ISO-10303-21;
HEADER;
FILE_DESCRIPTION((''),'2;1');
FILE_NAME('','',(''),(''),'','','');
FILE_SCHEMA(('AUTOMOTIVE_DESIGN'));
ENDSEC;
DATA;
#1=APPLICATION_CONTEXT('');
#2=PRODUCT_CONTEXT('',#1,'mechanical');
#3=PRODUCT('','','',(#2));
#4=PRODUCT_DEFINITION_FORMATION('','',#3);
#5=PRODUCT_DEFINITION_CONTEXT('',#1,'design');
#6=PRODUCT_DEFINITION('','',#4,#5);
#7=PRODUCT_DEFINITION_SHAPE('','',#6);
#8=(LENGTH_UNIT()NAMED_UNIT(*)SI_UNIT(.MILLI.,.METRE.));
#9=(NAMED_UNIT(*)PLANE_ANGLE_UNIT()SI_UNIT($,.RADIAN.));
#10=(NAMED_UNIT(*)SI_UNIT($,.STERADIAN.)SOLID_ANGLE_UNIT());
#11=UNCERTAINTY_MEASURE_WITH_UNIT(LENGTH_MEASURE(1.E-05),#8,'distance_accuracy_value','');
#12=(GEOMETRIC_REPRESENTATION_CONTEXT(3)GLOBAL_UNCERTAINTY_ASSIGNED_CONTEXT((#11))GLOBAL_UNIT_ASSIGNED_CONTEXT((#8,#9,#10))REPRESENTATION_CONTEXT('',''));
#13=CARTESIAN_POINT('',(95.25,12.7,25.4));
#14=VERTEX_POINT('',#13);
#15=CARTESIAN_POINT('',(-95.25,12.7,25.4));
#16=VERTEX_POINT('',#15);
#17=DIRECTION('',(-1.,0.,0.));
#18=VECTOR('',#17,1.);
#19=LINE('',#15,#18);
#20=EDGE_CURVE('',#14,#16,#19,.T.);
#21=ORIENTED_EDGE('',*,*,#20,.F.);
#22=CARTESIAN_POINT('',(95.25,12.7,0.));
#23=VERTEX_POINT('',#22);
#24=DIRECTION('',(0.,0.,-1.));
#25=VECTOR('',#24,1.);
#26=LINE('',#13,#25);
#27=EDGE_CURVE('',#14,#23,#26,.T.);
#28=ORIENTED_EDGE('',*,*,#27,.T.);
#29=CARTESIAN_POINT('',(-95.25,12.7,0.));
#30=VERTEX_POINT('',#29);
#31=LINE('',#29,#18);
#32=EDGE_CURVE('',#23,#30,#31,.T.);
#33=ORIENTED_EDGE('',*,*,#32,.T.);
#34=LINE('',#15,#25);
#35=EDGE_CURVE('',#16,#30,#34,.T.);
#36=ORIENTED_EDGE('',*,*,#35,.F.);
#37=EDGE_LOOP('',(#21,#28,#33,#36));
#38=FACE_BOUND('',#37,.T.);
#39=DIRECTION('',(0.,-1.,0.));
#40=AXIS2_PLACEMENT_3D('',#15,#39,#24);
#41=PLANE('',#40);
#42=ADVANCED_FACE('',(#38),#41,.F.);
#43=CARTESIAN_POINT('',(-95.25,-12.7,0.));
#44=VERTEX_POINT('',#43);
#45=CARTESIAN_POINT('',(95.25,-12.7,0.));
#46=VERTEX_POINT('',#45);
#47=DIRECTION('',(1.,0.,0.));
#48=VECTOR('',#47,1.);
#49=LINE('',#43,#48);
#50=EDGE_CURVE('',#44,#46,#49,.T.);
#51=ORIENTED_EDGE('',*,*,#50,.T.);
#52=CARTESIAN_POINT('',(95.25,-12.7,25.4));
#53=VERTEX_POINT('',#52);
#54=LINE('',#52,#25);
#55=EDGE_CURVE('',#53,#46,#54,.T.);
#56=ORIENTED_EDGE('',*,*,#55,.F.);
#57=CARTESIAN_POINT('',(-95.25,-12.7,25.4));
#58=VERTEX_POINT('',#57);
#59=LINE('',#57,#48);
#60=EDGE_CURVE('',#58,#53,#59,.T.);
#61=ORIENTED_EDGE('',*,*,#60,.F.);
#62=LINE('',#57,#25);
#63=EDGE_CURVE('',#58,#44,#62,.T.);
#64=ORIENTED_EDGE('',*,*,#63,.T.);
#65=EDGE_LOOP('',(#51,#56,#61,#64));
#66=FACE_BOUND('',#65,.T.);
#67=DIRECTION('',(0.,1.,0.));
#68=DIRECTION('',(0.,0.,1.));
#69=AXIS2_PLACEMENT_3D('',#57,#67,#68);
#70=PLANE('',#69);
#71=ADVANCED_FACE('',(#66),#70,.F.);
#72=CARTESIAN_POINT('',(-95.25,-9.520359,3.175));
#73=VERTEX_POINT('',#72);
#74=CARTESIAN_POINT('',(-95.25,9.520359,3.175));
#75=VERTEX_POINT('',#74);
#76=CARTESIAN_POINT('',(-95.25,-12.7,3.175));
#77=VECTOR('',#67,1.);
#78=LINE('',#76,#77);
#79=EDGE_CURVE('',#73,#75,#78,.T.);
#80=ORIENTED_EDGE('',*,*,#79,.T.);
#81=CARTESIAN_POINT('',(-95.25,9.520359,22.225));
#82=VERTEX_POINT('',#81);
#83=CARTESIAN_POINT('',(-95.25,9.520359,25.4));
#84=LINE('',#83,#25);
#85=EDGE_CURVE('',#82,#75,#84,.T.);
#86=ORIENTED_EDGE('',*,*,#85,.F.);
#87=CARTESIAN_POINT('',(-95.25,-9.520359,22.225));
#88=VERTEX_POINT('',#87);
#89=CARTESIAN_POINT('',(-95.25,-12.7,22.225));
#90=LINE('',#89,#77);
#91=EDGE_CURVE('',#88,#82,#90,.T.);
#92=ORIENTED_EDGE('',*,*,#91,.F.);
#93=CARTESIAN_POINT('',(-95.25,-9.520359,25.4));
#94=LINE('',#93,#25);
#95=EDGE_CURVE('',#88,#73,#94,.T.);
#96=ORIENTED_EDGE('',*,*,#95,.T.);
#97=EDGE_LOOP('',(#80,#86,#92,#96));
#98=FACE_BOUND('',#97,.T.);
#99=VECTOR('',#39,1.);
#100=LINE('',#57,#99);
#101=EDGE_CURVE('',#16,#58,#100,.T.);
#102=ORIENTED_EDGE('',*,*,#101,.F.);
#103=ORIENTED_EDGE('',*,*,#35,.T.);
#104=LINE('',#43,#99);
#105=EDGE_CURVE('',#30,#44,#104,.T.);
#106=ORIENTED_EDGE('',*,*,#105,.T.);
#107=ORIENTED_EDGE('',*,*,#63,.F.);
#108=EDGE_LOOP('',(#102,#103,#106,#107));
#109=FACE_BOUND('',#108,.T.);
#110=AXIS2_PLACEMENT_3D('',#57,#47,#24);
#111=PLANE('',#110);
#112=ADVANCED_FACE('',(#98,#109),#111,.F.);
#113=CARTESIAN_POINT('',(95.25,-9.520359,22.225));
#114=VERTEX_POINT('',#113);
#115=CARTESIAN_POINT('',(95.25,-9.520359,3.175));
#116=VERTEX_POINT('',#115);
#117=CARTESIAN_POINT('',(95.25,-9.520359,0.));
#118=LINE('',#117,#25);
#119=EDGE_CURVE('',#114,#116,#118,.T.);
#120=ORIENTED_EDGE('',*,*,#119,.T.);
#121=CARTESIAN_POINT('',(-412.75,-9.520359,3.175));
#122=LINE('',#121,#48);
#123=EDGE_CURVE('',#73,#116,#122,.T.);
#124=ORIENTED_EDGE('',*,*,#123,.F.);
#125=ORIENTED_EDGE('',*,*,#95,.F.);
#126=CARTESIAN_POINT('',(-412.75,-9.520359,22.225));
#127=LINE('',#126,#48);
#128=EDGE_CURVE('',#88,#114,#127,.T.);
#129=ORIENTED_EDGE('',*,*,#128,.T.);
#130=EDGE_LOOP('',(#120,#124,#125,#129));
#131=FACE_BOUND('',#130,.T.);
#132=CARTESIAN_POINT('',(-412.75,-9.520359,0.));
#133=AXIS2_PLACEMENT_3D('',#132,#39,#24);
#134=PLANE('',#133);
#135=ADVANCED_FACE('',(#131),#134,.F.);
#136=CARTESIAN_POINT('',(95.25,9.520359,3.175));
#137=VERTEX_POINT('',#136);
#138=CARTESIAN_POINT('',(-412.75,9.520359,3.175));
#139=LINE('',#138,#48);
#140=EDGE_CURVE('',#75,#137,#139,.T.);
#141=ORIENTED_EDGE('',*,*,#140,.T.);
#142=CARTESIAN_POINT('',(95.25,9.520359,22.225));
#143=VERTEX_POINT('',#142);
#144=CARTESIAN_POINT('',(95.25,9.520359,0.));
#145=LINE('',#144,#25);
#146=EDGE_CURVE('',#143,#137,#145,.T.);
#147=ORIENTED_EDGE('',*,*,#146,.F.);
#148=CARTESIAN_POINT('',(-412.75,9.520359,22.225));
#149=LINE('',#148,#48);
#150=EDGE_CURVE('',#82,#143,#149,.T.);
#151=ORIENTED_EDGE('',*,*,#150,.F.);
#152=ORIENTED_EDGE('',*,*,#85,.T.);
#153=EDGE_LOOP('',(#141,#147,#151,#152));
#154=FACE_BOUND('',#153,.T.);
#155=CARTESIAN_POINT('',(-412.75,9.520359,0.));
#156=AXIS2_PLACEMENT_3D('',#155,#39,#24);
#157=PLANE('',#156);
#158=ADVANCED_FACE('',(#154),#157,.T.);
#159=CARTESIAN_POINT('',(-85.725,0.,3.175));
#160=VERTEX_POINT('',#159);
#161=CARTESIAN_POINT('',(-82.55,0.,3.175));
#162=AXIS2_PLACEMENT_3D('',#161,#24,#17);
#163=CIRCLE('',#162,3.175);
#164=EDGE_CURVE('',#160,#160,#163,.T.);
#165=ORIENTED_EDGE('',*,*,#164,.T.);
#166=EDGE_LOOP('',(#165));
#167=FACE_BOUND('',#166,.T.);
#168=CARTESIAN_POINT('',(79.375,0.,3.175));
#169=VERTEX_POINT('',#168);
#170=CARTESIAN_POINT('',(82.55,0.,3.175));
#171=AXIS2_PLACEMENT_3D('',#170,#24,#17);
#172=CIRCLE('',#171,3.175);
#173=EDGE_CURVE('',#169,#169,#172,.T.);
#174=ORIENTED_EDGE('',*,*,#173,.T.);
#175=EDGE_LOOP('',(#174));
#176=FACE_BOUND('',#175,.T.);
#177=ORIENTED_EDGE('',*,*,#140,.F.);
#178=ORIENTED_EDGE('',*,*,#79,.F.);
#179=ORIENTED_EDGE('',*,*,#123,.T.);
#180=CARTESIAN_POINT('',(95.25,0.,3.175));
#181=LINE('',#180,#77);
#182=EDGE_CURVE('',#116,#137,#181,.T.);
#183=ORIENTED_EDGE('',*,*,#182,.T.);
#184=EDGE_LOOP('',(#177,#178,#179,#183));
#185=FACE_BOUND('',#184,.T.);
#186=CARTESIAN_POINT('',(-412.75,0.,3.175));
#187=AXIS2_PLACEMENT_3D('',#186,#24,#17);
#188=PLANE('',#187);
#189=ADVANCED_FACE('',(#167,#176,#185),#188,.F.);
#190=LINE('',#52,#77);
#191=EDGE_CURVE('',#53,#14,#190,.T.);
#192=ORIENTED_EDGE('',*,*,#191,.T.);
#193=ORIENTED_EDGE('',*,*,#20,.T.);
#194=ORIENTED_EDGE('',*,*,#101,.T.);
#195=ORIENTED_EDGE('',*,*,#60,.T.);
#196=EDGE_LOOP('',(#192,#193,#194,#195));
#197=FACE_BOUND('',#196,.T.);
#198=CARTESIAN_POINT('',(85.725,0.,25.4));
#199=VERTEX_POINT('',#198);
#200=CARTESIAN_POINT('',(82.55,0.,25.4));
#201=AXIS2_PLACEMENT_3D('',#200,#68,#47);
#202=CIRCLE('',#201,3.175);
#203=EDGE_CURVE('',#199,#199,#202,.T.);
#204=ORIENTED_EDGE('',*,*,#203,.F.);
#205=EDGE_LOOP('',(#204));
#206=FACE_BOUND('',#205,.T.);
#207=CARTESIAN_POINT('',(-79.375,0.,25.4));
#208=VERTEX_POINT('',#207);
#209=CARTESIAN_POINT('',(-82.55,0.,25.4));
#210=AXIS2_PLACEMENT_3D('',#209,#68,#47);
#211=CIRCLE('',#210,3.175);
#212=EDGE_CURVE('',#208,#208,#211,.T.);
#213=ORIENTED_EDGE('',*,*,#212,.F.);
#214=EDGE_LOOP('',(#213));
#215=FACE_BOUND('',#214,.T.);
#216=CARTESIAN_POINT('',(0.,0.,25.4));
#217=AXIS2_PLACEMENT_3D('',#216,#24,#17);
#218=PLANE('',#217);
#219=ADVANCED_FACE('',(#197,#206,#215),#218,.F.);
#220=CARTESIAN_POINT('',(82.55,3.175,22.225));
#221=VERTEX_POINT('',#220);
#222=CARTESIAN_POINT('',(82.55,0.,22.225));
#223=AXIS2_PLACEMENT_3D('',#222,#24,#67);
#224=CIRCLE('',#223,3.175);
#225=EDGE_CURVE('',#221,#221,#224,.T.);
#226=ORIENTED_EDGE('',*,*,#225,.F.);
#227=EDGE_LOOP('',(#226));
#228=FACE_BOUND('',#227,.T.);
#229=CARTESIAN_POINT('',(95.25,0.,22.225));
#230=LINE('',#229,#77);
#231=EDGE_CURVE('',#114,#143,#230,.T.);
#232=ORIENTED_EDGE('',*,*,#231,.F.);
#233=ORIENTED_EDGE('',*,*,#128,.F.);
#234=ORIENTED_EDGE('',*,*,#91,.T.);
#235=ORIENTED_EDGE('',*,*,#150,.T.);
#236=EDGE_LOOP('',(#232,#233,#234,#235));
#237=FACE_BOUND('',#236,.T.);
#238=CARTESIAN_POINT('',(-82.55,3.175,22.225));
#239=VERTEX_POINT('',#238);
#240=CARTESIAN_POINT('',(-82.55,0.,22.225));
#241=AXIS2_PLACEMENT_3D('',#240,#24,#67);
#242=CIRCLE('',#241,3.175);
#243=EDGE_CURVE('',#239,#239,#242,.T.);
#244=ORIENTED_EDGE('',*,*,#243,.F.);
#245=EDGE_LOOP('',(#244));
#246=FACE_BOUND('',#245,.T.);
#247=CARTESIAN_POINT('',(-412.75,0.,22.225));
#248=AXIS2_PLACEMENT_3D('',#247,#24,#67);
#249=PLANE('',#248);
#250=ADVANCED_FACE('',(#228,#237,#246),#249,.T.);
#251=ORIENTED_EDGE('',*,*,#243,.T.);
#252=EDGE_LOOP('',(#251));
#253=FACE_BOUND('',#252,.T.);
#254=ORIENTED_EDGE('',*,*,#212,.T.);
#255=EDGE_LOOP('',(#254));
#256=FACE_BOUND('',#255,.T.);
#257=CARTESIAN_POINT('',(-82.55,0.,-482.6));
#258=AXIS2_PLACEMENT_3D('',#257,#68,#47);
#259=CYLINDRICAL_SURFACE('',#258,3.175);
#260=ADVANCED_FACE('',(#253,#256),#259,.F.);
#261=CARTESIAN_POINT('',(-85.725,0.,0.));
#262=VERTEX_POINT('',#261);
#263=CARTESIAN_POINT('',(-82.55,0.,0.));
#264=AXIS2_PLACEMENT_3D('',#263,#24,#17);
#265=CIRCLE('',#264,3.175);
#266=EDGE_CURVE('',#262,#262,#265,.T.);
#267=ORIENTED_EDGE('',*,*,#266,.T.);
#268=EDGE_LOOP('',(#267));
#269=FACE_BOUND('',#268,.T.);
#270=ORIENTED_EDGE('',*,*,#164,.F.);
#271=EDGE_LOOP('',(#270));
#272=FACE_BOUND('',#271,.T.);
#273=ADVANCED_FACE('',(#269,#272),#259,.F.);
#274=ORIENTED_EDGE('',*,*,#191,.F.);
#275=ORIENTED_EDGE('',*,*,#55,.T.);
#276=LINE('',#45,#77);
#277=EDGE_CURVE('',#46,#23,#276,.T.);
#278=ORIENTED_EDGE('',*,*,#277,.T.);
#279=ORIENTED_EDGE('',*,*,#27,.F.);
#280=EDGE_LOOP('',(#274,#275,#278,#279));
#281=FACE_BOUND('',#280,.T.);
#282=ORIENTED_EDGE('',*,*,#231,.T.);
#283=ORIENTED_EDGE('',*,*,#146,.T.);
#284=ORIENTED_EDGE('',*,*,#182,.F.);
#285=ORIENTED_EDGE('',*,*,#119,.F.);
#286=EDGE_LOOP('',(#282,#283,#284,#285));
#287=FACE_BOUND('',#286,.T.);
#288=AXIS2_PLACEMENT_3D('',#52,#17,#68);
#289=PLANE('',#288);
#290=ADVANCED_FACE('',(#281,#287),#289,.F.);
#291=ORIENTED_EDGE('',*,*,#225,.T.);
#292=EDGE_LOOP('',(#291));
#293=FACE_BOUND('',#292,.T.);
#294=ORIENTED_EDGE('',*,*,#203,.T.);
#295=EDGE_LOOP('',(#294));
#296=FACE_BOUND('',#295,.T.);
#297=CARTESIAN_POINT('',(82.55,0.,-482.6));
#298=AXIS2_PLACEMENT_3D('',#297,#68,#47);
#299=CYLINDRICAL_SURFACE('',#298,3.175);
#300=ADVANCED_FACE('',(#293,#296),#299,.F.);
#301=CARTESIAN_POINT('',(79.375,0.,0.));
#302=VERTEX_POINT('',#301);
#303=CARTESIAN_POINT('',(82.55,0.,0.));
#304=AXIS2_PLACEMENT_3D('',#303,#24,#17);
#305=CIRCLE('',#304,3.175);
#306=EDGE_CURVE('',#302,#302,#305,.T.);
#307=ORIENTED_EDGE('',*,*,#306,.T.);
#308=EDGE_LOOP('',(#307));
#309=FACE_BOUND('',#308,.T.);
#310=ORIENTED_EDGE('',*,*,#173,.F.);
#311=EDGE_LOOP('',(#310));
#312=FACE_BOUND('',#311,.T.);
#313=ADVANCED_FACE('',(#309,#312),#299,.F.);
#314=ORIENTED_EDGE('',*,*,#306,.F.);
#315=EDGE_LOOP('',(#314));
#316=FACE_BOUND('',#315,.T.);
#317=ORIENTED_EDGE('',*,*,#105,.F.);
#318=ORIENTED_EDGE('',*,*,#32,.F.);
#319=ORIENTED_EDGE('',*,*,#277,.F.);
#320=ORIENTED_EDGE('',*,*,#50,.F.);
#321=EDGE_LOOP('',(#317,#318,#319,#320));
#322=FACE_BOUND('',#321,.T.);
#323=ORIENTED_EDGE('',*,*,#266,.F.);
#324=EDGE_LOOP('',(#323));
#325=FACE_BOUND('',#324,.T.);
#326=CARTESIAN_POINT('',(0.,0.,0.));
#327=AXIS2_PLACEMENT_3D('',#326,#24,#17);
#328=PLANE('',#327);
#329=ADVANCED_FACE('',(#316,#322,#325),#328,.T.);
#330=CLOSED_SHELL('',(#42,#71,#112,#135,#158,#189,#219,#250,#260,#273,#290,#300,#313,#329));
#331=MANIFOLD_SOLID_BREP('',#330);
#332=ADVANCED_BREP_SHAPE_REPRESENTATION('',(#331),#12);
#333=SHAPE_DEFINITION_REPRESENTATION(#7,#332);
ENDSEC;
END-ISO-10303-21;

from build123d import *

# Parameters (mm, degrees)
SKETCH1_W           = 190.5
SKETCH1_H           = 25.4
BOSS_EXTRUDE1_DEPTH = 25.4
SKETCH2_W           = 9.525
SKETCH2_H           = 19.040717284
CUT_EXTRUDE1_DEPTH  = 508
SKETCH4_R           = 3.175
CUT_EXTRUDE3_DEPTH  = 508


with BuildPart() as part:
    # Sketch1 → Boss-Extrude1 (new body)
    with BuildSketch(Plane.XY):
        Rectangle(SKETCH1_W, SKETCH1_H)
    extrude(amount=BOSS_EXTRUDE1_DEPTH)

    # Sketch2 → Cut-Extrude1 (cut)
    with BuildSketch(Plane(origin=(95.25, 0, 0), x_dir=(0, 0, -1), z_dir=(1, 0, 0))):
        with Locations((-17.4625, 0)):
            Rectangle(SKETCH2_W, SKETCH2_H)
        with Locations((-7.9375, 0)):
            Rectangle(SKETCH2_W, SKETCH2_H)
    extrude(amount=-CUT_EXTRUDE1_DEPTH, mode=Mode.SUBTRACT)

    # Sketch4 → Cut-Extrude3 (cut)
    with BuildSketch(Plane.XY.offset(25.4)):
        with Locations((-82.55, 0)):
            Circle(SKETCH4_R)
        with Locations((82.55, 0)):
            Circle(SKETCH4_R)
    extrude(amount=-CUT_EXTRUDE3_DEPTH, mode=Mode.SUBTRACT)


solid = part.part
